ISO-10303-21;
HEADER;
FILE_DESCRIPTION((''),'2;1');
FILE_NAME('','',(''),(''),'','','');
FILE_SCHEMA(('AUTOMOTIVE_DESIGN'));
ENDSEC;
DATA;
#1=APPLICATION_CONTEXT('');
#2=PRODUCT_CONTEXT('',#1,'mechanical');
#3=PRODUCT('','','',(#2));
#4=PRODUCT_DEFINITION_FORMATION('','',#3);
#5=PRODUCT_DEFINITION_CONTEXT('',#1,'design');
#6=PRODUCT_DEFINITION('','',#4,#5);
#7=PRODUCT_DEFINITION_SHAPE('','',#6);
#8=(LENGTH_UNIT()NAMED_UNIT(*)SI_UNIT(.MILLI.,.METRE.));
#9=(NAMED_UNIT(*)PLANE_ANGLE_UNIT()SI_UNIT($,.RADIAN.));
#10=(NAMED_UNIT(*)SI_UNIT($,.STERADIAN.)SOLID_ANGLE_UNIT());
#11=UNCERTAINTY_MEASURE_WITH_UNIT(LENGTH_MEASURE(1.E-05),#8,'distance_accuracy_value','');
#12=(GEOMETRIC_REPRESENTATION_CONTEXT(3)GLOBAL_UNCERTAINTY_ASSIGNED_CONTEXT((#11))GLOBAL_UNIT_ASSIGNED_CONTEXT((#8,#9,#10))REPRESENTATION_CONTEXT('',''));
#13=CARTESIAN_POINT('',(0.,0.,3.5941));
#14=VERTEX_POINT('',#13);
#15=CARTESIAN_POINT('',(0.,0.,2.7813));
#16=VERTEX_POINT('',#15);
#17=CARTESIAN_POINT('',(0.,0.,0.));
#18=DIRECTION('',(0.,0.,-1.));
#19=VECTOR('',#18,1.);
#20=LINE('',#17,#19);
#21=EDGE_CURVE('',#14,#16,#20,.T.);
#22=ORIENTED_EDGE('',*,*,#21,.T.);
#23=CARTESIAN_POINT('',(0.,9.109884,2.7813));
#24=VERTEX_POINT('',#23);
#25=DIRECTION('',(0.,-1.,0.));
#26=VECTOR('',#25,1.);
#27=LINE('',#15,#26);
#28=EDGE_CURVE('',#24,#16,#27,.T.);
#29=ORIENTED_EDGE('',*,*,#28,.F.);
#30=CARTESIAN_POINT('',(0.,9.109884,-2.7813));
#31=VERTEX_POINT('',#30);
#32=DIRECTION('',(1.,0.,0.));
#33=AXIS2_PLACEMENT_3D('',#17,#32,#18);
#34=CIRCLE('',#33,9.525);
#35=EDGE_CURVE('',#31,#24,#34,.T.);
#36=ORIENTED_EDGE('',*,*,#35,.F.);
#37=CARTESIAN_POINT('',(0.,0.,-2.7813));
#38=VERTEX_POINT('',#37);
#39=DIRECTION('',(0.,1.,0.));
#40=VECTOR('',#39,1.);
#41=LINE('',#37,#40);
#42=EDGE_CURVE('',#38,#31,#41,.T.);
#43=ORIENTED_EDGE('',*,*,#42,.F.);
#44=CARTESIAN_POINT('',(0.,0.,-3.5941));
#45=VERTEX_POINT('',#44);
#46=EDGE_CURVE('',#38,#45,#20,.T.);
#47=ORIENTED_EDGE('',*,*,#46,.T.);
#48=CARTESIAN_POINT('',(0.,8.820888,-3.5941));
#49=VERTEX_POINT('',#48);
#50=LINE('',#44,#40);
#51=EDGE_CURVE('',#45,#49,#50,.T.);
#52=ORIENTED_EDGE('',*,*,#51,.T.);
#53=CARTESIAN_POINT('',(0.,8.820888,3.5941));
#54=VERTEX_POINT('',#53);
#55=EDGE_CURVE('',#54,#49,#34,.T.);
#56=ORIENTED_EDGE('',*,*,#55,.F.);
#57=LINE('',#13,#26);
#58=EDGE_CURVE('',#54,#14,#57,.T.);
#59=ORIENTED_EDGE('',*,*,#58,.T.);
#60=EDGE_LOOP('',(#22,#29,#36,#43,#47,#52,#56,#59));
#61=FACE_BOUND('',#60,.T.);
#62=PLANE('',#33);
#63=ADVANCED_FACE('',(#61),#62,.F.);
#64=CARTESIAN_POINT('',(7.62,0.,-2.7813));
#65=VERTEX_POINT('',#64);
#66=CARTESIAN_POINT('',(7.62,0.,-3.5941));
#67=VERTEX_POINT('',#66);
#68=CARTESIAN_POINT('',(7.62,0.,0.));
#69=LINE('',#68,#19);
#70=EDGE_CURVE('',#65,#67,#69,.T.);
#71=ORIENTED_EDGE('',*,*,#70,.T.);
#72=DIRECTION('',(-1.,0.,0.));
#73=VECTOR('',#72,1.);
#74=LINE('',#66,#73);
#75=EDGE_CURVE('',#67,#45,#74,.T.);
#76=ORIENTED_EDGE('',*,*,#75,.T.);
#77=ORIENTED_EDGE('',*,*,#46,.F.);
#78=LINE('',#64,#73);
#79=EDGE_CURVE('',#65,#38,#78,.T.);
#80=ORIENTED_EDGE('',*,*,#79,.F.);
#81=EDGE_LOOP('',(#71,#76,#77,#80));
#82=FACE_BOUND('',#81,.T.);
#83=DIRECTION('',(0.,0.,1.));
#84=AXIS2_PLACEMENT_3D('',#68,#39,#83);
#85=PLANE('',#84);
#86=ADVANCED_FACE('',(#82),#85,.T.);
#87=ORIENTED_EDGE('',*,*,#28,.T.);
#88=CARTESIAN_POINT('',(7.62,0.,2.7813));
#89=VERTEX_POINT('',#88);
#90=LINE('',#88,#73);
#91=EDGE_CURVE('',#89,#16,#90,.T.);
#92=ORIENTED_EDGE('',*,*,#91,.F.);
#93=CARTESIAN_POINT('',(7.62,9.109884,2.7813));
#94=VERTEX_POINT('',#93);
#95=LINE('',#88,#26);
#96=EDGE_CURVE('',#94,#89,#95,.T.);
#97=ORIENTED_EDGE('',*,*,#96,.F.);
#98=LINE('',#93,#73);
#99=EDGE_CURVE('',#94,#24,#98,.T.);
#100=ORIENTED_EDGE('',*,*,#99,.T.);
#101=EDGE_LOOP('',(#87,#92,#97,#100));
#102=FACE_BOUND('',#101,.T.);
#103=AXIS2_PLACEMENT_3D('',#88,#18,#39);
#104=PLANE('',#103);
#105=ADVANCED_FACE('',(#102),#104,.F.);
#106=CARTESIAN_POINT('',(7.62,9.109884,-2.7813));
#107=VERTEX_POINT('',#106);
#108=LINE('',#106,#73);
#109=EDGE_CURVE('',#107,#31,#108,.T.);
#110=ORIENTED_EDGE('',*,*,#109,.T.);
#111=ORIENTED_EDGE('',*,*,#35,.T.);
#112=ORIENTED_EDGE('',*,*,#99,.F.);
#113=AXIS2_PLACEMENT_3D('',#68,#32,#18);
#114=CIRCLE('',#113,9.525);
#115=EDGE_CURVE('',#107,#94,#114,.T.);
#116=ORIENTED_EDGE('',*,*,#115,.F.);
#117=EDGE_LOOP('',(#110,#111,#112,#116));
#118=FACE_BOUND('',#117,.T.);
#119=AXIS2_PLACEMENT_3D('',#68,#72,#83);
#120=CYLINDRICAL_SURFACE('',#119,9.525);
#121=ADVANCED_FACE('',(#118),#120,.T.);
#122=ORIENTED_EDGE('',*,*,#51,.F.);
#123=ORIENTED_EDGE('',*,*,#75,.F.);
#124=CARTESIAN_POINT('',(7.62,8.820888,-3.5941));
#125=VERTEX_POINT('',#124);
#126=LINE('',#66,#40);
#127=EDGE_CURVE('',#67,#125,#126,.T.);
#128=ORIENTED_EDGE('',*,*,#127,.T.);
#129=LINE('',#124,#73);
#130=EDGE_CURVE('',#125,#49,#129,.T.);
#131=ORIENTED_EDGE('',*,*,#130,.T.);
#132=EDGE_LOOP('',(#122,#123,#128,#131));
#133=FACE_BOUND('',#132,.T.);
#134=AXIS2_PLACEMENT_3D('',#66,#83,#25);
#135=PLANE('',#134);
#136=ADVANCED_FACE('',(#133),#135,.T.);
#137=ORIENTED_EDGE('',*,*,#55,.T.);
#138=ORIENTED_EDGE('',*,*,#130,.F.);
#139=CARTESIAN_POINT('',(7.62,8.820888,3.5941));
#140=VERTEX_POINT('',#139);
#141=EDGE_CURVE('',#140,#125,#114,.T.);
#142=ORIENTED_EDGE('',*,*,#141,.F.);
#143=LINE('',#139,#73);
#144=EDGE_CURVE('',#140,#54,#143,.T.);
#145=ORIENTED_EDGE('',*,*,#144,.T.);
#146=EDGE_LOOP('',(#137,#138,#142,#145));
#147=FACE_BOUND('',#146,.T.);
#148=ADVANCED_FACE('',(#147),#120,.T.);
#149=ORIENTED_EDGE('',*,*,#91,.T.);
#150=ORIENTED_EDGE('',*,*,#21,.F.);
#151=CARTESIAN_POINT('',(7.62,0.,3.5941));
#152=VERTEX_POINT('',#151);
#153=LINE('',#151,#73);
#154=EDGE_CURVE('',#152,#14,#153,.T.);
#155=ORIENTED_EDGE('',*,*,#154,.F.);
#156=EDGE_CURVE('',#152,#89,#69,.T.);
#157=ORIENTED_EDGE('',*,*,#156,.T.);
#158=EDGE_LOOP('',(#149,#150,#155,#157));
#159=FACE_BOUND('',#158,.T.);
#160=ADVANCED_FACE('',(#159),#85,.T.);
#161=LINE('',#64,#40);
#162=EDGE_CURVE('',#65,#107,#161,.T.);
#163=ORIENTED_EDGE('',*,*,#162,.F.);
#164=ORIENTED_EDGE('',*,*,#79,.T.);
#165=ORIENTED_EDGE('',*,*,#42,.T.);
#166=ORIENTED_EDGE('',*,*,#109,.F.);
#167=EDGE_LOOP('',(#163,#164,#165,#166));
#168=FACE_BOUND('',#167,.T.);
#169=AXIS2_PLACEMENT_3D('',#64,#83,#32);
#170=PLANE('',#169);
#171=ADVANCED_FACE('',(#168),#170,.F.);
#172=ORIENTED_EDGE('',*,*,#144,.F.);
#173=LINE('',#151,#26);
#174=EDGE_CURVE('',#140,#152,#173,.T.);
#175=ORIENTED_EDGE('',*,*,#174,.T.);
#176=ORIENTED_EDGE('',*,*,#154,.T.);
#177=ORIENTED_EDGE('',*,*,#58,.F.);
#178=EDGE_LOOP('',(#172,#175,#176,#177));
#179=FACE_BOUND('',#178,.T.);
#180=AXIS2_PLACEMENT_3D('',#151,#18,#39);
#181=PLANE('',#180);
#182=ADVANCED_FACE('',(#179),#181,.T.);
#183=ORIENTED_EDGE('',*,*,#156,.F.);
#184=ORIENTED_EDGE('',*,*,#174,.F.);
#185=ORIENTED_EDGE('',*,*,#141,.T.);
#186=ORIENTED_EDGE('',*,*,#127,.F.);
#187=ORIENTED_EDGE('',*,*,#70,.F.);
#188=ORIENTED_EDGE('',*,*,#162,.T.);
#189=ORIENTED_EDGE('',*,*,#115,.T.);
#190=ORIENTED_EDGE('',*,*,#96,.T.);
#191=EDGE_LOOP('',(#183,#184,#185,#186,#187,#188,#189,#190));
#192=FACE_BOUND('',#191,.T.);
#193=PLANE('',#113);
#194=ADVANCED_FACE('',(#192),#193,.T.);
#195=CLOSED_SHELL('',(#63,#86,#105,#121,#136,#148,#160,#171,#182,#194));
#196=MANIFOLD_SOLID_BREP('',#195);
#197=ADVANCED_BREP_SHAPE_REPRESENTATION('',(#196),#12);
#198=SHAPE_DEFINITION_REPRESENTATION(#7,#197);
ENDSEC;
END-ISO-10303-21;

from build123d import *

# Parameters (mm, degrees)
BOSS_EXTRUDE1_DEPTH = 7.62


with BuildPart() as part:
    # Sketch1 → Boss-Extrude1 (new body)
    with BuildSketch(Plane(origin=(0, 0, 0), x_dir=(0, 0, -1), z_dir=(1, 0, 0))):
        with BuildLine():
            Line((-2.7813, 9.109884484), (-2.7813, 0))
            Line((-2.7813, 0), (2.7813, 0))
            Line((2.7813, 0), (2.7813, 9.109884484))
            ThreePointArc((2.7813, 9.109884484), (0, 9.525), (-2.7813, 9.109884484))
        make_face()
        with BuildLine():
            Line((2.7813, 0), (-2.7813, 0))
            Line((-2.7813, 0), (-3.5941, 0))
            Line((-3.5941, 0), (-3.5941, 8.820888288))
            ThreePointArc((-3.5941, 8.820888288), (-5.314688255, -7.904411031), (9.525, 0))
            ThreePointArc((9.525, 0), (7.904411031, 5.314688255), (3.5941, 8.820888288))
            Line((3.5941, 8.820888288), (3.5941, 0))
            Line((3.5941, 0), (2.7813, 0))
        make_face()
    extrude(amount=BOSS_EXTRUDE1_DEPTH)


solid = part.part
